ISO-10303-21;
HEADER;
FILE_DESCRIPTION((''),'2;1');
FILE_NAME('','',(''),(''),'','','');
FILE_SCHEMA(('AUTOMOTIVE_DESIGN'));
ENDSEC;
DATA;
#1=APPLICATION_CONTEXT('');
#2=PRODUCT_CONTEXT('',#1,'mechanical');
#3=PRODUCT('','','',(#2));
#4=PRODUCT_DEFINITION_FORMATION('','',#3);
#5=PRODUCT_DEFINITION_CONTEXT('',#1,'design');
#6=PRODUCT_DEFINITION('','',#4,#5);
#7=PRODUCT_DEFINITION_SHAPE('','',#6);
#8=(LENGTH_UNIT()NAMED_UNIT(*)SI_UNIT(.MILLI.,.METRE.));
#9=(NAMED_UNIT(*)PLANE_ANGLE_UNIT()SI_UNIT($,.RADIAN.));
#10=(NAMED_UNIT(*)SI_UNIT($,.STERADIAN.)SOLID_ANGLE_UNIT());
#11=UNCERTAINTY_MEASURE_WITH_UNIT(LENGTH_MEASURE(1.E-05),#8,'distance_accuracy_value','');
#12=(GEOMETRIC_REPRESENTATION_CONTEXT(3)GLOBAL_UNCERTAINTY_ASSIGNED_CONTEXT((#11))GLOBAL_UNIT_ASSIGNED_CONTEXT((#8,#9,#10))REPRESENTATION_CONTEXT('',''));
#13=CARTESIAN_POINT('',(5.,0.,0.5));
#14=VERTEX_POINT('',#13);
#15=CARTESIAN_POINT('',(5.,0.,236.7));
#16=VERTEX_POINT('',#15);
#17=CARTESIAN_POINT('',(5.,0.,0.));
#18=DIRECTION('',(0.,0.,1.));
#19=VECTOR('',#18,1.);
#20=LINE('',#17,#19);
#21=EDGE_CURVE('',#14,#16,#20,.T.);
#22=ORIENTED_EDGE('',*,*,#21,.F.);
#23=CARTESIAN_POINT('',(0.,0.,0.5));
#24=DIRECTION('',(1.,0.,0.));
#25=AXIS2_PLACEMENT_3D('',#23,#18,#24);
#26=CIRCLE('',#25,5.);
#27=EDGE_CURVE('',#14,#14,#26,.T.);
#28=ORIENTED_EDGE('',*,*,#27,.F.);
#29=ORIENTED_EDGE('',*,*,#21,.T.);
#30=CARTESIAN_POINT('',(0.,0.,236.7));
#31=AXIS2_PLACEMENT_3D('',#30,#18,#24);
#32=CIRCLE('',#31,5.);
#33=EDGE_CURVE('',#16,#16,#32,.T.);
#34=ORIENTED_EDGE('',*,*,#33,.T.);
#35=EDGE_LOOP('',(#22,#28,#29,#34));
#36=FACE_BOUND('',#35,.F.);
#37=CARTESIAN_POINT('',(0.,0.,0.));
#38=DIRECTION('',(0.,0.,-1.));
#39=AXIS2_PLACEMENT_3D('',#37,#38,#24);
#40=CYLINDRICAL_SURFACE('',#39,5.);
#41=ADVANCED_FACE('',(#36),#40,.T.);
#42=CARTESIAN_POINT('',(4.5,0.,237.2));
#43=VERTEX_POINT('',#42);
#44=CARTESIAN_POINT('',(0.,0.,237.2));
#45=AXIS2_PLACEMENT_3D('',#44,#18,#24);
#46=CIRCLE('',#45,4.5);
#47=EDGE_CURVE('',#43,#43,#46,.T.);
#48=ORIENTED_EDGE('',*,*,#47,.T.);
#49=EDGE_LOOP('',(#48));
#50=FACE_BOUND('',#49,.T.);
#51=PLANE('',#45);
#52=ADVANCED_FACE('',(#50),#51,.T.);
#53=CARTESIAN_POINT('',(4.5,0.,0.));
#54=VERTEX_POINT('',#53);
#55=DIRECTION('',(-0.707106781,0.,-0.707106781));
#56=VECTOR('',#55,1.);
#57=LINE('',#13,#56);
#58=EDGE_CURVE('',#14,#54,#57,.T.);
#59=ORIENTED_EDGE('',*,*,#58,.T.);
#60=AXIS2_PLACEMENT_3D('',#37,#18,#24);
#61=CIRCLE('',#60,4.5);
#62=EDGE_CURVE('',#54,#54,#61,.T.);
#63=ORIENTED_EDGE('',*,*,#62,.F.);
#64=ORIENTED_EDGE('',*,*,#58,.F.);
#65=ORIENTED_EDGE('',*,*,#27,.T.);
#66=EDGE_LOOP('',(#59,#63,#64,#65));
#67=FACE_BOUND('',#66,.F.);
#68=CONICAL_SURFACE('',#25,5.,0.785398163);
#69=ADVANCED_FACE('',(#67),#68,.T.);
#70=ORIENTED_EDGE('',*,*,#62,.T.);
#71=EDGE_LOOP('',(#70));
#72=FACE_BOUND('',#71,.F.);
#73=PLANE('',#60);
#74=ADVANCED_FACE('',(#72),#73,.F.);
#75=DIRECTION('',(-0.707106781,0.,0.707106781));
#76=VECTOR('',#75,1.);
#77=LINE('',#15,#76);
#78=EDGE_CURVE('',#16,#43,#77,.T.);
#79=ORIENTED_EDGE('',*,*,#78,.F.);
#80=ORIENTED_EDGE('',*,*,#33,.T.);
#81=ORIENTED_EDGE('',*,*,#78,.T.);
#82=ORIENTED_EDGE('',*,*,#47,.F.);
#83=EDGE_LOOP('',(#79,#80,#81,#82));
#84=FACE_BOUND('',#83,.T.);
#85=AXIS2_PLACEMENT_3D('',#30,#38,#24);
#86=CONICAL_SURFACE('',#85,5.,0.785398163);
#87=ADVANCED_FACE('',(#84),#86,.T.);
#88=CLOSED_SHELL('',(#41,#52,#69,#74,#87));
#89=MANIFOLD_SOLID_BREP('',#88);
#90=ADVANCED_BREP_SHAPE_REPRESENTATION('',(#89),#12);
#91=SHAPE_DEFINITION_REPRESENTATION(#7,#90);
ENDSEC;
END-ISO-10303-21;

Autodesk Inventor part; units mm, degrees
ref_plane "YZ Plane" through (0, 0, 0) normal (1, 0, 0) x (0, 1, 0)
ref_plane "XZ Plane" through (0, 0, 0) normal (0, 1, 0) x (-1, 0, 0)
ref_plane "XY Plane" through (0, 0, 0) normal (0, 0, 1) x (1, 0, 0)
sketch "Sketch1" plane through (0, 0, 0) normal (0, 0, 1) x (1, 0, 0)
  circle A0 centre (0, 0) radius 5
  dimension "d0" = 10
extrude "Extrusion1" add sketch "Sketch1" along normal blind 237.2
chamfer "Chamfer1" distance 0.5 angle 45 2 edges at (-5, 0, 237.2) (-5, 0, 0)
properties part number "Long shaft"
